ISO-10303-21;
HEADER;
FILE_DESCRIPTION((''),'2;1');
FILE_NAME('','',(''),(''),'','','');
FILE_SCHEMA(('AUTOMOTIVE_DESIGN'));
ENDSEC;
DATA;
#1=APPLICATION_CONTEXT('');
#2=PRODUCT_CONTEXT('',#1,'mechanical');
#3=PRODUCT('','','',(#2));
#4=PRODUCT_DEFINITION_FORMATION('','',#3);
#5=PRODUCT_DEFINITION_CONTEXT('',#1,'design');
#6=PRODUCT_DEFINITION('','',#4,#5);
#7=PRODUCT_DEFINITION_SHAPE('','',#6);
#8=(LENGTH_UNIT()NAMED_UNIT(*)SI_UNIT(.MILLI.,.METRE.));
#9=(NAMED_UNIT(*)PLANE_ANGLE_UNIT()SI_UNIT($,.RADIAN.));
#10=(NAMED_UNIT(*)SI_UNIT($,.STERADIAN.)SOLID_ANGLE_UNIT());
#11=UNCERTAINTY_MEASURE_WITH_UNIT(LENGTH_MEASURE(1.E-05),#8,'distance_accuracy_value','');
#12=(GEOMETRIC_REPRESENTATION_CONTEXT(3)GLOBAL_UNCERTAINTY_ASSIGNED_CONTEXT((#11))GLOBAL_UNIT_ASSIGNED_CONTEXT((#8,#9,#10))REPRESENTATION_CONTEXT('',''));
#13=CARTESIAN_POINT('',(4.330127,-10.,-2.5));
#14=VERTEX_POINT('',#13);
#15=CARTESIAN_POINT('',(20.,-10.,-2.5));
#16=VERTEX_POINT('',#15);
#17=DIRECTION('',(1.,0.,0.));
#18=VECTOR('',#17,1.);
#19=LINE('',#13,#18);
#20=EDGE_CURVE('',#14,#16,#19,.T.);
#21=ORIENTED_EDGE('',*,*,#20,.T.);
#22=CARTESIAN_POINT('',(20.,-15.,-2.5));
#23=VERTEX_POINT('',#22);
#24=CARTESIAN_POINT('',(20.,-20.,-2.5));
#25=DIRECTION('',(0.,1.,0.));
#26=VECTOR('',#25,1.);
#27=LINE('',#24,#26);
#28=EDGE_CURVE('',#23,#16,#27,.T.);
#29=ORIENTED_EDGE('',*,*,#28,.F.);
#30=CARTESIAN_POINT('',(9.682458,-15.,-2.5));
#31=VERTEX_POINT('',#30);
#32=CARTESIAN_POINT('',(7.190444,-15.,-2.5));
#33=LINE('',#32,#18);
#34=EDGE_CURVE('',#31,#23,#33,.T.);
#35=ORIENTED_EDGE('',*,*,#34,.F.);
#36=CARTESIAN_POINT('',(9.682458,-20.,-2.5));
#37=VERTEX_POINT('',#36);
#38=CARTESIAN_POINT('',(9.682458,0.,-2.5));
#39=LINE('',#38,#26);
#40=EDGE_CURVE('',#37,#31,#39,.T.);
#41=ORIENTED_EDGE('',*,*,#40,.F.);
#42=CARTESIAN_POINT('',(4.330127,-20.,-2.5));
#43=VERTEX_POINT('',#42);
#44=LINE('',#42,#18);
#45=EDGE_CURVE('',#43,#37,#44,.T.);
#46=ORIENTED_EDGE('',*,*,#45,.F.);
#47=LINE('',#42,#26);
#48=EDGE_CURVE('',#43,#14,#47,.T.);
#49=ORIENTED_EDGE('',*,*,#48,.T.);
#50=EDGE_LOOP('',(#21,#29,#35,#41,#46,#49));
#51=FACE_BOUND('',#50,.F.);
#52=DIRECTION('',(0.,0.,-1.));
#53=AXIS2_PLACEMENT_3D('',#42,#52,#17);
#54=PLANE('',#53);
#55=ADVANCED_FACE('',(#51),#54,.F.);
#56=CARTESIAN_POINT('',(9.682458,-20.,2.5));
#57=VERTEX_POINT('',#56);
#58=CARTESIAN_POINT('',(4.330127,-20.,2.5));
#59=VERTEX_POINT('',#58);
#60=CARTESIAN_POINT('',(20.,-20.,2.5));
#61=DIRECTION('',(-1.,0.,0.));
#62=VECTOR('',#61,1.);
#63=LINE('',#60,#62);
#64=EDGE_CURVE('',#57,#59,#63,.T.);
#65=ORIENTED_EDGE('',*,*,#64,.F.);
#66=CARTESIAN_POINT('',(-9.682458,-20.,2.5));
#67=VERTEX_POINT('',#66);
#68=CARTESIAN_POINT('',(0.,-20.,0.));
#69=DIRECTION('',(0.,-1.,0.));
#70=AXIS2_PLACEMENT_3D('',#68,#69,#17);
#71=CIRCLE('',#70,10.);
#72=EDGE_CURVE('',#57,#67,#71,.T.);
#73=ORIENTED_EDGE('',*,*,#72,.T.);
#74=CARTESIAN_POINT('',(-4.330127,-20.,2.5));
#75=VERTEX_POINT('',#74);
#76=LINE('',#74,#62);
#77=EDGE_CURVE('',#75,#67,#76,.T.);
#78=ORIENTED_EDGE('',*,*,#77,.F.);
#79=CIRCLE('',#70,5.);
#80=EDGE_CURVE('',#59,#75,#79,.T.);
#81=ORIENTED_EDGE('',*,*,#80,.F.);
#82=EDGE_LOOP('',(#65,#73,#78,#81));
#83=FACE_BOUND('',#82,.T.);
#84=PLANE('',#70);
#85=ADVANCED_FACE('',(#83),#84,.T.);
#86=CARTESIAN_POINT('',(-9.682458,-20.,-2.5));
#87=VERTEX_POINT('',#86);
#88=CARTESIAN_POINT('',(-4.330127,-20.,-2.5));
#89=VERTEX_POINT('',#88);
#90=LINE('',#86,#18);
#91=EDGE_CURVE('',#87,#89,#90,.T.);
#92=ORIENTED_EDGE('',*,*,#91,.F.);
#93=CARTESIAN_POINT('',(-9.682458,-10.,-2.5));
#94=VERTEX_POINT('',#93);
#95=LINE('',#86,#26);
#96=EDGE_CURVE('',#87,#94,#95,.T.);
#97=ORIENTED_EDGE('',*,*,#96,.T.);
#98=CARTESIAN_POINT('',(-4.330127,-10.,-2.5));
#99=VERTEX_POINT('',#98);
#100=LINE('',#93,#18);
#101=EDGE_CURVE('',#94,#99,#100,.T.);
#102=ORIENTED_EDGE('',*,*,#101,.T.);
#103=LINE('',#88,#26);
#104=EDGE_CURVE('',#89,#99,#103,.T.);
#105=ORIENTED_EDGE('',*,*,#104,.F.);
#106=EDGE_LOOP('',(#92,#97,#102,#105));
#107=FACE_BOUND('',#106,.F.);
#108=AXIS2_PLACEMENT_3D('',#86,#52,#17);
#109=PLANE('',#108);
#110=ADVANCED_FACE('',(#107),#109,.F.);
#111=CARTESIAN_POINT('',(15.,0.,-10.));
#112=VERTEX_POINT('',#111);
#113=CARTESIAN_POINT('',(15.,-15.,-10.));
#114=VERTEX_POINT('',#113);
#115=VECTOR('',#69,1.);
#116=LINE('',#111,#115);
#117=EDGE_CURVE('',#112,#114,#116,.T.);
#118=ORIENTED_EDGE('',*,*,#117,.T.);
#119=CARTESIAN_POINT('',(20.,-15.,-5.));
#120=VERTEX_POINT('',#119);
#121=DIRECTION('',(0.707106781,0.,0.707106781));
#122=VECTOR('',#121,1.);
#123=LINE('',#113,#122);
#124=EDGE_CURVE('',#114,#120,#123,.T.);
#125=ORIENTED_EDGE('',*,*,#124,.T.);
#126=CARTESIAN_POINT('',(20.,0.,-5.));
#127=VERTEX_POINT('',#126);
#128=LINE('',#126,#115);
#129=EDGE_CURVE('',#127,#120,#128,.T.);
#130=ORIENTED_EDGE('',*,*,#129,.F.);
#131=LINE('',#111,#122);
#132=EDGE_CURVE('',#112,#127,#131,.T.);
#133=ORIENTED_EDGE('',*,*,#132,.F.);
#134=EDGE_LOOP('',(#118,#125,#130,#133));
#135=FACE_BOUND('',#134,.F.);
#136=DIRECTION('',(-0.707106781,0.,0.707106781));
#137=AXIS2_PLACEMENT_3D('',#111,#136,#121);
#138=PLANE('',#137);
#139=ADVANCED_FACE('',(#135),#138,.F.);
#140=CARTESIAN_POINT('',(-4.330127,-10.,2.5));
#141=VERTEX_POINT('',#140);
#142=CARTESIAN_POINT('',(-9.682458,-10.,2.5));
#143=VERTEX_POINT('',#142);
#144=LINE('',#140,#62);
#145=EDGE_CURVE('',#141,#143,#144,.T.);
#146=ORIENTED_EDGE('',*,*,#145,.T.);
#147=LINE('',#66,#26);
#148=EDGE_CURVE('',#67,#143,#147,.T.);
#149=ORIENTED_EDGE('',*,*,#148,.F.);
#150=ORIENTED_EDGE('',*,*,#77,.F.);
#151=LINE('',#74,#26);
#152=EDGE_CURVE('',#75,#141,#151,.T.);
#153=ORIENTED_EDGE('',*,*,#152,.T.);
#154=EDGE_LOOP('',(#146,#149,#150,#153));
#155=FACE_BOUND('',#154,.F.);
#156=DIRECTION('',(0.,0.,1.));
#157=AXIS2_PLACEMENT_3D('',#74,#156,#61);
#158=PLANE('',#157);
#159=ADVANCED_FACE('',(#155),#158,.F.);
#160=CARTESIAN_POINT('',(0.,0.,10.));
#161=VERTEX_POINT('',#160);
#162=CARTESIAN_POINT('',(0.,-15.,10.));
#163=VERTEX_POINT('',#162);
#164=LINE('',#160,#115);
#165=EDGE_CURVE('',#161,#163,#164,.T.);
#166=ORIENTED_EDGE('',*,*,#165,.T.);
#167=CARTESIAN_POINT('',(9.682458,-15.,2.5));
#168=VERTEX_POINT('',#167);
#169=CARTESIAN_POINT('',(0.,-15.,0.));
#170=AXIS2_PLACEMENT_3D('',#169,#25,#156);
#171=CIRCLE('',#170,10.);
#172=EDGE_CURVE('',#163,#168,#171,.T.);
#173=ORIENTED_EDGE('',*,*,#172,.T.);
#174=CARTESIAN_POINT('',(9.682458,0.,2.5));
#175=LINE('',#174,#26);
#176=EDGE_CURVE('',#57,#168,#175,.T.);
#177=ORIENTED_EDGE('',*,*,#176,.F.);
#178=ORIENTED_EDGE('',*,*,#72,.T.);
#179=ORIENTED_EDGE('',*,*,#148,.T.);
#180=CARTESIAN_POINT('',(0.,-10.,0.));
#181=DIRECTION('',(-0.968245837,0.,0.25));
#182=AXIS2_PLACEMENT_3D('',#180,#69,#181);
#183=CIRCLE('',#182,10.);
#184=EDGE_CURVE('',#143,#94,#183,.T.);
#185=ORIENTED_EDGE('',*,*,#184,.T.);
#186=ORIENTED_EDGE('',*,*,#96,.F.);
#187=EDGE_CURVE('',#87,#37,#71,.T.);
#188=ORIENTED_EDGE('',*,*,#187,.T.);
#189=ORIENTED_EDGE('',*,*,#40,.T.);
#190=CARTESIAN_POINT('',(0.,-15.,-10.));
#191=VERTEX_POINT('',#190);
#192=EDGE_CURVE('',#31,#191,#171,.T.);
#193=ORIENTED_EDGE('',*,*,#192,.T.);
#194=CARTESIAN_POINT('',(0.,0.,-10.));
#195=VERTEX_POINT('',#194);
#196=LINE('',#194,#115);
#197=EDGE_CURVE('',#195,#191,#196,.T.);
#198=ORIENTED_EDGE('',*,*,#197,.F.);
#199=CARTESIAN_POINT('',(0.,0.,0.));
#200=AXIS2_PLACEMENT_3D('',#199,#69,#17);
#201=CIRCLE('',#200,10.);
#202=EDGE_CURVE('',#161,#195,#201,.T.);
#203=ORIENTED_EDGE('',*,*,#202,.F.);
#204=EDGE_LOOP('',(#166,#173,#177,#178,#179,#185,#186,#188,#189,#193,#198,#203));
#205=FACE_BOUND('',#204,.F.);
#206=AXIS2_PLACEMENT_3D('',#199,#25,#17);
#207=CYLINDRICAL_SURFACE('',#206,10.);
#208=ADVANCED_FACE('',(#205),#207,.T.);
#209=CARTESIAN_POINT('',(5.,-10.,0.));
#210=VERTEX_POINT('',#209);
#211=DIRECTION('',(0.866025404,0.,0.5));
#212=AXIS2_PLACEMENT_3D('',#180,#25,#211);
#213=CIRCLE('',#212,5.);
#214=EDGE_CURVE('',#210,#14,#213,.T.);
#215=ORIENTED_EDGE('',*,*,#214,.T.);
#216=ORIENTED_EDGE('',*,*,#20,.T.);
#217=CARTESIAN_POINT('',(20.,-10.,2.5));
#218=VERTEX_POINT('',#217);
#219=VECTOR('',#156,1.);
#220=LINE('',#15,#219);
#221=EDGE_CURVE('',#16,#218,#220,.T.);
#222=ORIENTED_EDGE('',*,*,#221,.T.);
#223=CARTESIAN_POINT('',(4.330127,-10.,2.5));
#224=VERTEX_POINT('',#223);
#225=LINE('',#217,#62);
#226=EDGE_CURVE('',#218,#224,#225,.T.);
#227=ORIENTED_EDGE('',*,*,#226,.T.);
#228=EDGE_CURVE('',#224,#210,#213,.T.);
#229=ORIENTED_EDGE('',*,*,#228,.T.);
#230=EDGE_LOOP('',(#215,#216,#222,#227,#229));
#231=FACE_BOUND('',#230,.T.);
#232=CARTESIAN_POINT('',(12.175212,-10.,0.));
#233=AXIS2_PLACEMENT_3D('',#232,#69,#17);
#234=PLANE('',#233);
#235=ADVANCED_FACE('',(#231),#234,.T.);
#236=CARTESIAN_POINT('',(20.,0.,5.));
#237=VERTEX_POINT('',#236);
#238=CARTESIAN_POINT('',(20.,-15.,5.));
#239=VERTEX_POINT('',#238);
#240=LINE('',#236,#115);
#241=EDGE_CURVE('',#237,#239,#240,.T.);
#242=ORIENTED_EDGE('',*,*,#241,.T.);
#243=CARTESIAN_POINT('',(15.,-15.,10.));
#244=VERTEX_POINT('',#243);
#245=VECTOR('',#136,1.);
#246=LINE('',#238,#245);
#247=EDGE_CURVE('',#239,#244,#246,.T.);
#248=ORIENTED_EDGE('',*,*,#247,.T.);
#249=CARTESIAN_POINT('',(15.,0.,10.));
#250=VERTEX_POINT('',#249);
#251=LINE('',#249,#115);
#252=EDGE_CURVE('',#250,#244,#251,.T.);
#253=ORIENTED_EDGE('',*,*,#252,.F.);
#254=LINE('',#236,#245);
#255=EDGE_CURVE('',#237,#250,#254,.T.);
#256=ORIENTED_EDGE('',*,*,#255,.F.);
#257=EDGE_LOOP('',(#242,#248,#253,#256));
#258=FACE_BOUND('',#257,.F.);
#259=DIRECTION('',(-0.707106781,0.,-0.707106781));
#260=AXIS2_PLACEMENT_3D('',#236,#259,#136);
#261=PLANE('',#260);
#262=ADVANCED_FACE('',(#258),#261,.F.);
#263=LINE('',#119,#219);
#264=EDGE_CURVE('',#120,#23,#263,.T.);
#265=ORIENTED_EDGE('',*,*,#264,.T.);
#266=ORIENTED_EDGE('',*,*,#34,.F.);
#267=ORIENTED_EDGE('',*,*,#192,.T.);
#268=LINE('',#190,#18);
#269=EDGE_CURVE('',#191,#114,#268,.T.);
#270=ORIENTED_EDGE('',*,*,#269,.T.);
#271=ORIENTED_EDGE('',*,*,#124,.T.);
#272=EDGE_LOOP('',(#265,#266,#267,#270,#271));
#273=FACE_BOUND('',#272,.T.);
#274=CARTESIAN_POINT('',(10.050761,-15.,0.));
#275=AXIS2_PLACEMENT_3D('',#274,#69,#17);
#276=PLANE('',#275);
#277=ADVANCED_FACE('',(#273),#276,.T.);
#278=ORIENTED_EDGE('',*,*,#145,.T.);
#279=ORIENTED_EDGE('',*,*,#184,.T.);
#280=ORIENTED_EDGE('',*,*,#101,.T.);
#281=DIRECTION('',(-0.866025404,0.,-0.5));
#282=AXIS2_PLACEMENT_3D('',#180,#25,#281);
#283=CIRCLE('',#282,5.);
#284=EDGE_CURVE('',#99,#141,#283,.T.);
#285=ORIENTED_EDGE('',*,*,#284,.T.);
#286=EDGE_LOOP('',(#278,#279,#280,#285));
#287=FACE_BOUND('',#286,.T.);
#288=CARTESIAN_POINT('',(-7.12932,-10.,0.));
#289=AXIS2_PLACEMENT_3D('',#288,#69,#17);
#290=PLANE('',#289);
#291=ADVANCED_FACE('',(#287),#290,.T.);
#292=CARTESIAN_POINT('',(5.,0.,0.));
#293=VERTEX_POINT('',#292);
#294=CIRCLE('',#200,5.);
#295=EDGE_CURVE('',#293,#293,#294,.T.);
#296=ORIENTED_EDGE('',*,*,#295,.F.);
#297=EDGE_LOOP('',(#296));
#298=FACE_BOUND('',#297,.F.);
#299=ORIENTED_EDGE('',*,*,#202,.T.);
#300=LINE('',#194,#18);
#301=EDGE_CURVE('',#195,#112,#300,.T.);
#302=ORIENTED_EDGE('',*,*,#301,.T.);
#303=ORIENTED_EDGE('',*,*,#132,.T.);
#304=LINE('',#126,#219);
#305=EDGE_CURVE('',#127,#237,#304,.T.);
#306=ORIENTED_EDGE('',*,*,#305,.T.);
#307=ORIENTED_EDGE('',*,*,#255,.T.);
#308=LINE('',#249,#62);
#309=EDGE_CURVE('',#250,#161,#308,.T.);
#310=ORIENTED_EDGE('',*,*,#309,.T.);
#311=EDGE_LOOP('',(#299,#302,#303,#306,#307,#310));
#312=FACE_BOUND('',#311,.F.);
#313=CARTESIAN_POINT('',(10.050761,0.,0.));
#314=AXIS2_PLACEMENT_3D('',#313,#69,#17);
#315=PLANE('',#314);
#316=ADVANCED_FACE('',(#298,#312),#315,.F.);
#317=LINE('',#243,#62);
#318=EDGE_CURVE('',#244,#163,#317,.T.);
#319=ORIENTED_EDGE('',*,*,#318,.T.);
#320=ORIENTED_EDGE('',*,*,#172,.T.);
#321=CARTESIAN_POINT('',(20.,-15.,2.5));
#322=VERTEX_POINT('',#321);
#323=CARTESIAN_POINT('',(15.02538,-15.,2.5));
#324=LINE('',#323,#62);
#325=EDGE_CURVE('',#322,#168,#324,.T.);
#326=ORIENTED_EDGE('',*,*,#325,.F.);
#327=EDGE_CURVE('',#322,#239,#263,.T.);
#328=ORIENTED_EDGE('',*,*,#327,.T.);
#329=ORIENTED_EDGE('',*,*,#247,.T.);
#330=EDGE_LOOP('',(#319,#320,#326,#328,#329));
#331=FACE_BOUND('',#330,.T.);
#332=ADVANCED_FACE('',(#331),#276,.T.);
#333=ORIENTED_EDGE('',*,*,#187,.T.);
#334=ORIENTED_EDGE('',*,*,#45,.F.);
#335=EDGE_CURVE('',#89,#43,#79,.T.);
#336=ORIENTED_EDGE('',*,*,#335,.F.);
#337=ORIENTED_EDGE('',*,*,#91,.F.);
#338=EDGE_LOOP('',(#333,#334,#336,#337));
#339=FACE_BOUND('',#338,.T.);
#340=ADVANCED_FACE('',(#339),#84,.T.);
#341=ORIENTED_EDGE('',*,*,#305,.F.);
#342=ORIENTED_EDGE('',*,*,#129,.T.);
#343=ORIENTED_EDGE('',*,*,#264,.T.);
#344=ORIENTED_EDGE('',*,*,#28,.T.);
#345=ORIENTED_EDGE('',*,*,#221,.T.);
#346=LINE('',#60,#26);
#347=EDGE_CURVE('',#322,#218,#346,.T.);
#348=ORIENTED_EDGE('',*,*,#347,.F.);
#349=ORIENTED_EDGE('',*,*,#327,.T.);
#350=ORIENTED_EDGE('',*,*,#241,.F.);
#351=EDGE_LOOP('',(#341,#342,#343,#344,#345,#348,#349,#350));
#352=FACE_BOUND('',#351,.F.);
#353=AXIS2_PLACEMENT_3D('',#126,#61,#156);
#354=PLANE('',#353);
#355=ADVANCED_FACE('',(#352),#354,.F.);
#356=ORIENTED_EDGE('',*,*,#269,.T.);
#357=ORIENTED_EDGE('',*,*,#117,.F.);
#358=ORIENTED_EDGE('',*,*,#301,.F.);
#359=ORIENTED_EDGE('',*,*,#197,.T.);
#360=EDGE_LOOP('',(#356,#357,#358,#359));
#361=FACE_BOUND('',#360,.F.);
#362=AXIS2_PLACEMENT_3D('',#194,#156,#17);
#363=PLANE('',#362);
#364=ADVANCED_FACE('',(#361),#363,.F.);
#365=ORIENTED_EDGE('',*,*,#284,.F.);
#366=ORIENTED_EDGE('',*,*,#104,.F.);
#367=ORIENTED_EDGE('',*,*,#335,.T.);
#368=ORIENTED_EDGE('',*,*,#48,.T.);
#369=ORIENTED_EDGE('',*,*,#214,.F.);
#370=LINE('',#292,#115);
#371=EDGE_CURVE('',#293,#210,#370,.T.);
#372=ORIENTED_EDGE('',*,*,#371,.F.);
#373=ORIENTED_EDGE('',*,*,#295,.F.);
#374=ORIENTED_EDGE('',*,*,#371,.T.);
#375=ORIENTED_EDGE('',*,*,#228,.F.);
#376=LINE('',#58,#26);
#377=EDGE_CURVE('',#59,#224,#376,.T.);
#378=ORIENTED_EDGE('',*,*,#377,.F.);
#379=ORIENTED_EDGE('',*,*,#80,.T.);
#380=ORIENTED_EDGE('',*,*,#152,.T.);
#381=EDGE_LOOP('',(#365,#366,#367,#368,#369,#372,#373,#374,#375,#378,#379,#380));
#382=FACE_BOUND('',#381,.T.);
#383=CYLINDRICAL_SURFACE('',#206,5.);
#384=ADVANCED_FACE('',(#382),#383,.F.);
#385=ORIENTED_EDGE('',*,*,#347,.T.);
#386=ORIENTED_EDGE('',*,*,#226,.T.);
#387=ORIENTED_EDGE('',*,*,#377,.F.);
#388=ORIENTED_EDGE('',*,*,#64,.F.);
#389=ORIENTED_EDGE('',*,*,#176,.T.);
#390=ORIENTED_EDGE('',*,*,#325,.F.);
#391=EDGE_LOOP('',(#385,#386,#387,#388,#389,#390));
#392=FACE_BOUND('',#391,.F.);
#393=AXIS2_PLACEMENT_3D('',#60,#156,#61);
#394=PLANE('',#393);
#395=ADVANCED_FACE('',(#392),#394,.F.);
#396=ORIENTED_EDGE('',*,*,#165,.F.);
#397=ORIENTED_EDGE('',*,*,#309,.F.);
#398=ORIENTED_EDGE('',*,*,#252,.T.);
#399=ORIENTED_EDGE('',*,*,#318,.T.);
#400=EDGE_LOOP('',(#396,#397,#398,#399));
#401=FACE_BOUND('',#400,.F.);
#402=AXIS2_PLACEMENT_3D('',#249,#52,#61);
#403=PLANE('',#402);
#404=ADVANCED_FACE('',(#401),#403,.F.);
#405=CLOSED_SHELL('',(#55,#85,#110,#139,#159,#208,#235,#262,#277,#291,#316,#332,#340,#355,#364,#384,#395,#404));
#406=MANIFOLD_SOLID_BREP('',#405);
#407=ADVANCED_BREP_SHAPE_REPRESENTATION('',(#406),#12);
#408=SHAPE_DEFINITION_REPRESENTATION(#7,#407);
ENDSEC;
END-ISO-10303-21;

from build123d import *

# Parameters (mm, degrees)
F0_R     = 10
F0_R_2   = 5
F1_DEPTH = 20
F3_DEPTH = 15
F5_DEPTH = 10


with BuildPart() as f1:
    # F0 (on Front) → F1 (new body)
    with BuildSketch(Plane.XZ):
        Circle(F0_R)
        Circle(F0_R_2, mode=Mode.SUBTRACT)
    extrude(amount=F1_DEPTH)

    # F2 (on Front) → F3 (join)
    with BuildSketch(Plane.XZ):
        with BuildLine():
            ThreePointArc((0, 10), (10, 0), (0, -10))
            Line((0, -10), (15, -10))
            Line((15, -10), (20, -5))
            Line((20, -5), (20, 5))
            Line((20, 5), (15, 10))
            Line((15, 10), (0, 10))
        make_face()
    extrude(amount=F3_DEPTH)

    # F4 (on face) → F5 (cut)
    with BuildSketch(Plane.XZ.offset(20)):
        with BuildLine():
            ThreePointArc((4.3301270189, 2.5), (5, 0), (4.3301270189, -2.5))
            Line((4.3301270189, -2.5), (20, -2.5))
            Line((20, -2.5), (20, 2.5))
            Line((20, 2.5), (4.3301270189, 2.5))
        make_face()
        with BuildLine():
            Line((-9.6824583655, -2.5), (-4.3301270189, -2.5))
            ThreePointArc((-4.3301270189, -2.5), (-5, 0), (-4.3301270189, 2.5))
            Line((-4.3301270189, 2.5), (-9.6824583655, 2.5))
            ThreePointArc((-9.6824583655, 2.5), (-10, 0), (-9.6824583655, -2.5))
        make_face()
    extrude(amount=-F5_DEPTH, mode=Mode.SUBTRACT)


solid = f1.part
